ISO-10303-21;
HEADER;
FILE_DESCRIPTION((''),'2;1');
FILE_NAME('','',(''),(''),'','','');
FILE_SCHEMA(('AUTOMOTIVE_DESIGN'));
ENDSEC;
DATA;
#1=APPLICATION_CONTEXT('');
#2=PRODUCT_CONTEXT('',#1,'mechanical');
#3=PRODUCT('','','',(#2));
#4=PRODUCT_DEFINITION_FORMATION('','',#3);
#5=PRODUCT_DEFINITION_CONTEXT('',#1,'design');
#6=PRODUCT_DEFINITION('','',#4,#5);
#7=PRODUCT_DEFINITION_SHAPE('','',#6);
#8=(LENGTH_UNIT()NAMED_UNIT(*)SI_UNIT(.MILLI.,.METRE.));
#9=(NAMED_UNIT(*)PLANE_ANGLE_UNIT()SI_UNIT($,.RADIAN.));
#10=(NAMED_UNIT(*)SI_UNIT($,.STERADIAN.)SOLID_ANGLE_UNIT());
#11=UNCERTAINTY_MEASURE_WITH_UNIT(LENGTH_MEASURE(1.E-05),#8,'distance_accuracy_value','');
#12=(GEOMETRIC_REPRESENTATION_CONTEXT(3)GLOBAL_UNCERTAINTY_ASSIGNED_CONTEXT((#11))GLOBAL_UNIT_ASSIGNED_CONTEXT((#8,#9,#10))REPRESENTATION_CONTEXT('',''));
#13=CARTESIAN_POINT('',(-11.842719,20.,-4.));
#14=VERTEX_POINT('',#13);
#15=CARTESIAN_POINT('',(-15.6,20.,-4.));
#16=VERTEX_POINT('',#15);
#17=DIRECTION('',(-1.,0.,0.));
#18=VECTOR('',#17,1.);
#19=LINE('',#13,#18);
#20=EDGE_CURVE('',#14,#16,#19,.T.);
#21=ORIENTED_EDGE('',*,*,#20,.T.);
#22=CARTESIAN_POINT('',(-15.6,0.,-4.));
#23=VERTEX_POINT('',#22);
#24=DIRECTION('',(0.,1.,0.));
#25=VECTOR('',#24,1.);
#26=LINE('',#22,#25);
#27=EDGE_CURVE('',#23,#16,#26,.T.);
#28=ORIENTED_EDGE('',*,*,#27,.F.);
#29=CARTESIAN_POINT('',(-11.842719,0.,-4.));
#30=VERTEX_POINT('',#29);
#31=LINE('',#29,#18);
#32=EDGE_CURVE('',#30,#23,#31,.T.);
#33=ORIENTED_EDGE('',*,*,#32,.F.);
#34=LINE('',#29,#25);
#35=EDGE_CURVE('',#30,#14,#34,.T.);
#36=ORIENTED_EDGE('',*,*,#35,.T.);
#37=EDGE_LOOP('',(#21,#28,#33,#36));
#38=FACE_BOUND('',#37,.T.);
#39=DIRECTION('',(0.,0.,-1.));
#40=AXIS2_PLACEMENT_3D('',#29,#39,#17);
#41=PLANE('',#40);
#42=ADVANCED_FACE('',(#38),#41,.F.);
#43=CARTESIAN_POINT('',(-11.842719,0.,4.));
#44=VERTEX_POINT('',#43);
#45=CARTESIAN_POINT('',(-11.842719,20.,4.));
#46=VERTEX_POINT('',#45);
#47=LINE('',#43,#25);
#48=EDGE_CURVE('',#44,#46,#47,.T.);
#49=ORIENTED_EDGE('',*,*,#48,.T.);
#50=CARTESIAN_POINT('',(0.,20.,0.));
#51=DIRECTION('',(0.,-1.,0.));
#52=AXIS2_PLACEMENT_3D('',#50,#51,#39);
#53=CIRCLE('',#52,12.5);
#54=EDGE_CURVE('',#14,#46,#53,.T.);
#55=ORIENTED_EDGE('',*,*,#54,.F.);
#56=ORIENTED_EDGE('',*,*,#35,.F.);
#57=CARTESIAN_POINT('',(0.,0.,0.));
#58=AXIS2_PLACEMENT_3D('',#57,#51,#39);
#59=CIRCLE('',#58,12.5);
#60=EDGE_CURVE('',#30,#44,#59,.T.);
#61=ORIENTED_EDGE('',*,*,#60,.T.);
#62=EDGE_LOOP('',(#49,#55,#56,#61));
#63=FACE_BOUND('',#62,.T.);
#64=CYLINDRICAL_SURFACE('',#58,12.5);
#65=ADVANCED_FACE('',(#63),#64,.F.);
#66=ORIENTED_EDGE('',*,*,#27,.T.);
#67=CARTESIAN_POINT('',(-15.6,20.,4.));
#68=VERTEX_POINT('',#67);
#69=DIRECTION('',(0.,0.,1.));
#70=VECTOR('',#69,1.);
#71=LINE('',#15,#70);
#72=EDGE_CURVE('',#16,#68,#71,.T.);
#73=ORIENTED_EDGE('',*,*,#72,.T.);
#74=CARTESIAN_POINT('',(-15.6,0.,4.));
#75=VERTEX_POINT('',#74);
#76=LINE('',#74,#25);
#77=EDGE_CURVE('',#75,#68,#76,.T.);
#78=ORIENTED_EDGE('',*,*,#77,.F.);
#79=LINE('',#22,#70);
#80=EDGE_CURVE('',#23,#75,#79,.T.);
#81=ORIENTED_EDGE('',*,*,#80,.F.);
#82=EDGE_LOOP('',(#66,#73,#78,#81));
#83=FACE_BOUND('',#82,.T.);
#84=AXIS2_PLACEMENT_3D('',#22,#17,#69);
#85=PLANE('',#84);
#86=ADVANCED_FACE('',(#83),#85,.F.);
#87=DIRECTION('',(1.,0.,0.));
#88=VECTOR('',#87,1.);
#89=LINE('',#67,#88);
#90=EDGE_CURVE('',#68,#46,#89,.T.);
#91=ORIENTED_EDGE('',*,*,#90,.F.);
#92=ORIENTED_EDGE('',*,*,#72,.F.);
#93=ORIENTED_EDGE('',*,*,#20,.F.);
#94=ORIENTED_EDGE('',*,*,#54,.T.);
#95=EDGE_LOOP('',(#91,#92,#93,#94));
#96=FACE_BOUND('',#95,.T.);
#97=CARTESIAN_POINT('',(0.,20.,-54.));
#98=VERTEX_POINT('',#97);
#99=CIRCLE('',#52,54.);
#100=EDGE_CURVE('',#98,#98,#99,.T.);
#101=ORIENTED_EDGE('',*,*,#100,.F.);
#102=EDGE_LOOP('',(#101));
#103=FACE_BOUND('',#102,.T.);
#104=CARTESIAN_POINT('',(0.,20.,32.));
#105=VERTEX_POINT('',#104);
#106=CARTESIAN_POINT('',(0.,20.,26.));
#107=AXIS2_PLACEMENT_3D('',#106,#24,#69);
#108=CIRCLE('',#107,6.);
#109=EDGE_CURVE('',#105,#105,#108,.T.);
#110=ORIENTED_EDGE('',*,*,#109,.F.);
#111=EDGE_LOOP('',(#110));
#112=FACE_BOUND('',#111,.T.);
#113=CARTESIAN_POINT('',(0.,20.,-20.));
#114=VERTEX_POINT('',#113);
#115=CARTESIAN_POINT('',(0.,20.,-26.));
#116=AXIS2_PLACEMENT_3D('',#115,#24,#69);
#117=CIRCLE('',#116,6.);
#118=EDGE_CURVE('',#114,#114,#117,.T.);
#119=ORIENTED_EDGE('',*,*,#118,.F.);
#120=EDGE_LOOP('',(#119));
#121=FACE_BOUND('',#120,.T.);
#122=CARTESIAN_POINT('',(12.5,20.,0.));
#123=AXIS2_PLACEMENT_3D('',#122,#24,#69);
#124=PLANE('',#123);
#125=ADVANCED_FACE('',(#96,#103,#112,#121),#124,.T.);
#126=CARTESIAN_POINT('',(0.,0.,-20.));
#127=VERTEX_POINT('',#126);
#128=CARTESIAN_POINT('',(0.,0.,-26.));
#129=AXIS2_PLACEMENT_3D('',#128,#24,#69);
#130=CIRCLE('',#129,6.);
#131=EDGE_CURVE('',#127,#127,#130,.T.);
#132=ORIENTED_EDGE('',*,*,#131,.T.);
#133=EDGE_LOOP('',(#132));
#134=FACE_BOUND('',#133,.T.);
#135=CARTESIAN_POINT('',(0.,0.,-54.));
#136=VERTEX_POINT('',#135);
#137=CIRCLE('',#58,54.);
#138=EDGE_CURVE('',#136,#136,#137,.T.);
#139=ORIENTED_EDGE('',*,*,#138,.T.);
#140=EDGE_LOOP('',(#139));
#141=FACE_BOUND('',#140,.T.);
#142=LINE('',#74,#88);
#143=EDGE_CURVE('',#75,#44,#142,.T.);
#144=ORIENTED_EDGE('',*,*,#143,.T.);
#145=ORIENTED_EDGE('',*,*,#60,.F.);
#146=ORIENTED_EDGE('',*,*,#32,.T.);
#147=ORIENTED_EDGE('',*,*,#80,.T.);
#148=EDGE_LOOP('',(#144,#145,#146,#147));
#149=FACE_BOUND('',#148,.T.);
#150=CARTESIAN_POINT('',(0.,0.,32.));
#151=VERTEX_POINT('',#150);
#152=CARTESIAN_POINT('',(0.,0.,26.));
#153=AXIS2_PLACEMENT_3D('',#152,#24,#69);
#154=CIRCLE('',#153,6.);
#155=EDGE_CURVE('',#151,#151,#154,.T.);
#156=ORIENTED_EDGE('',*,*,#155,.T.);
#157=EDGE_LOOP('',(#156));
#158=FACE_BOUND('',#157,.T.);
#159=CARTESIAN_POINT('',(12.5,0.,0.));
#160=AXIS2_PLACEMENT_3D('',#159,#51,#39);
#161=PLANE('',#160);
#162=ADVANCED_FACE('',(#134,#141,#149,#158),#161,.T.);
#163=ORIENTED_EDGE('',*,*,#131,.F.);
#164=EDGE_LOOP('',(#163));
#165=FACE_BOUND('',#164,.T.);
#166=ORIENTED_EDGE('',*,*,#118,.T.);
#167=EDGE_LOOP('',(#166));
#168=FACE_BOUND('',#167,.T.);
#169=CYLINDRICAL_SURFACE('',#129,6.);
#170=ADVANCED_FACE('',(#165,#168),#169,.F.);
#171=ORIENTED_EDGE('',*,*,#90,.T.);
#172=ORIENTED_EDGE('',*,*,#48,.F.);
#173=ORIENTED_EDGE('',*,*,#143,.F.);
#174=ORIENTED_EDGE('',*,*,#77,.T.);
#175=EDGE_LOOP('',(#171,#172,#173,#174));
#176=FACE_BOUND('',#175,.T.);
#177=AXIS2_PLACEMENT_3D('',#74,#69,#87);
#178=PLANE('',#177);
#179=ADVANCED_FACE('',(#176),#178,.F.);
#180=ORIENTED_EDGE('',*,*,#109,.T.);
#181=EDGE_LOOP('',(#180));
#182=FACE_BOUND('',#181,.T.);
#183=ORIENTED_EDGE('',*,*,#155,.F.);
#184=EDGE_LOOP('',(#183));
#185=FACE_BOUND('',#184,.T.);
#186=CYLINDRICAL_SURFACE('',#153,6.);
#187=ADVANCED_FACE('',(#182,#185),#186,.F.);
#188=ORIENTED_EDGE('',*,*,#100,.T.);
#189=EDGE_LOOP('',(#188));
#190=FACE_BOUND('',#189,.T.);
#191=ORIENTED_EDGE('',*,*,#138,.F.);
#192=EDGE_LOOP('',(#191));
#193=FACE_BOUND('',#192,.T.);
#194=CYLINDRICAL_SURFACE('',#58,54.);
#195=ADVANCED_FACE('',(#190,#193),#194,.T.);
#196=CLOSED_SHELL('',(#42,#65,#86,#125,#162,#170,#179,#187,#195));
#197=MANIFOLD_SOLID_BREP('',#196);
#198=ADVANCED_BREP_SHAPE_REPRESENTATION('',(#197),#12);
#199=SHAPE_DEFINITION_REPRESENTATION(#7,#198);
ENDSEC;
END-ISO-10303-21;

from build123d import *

# Parameters (mm, degrees)
SKETCH_1_W          = 41.5
SKETCH_1_H          = 20
SKETCH_2_R          = 6
CUT_EXTRUDE_1_DEPTH = 20
SKETCH_2_3_R        = 6
CUT_EXTRUDE_2_DEPTH = 20


with BuildPart() as part:
    # Эскиз1 → Повернуть1 (revolve)
    with BuildSketch(Plane.XY):
        with Locations((33.25, 10)):
            Rectangle(SKETCH_1_W, SKETCH_1_H)
    revolve(axis=Axis((0, 0, 0), (0, 1, 0)))

    # Эскиз2 → Вырез-Вытянуть1 (cut)
    with BuildSketch(Plane(origin=(0, 20, 0), x_dir=(1, 0, 0), z_dir=(0, 1, 0))):
        with Locations((0, 26)):
            Circle(SKETCH_2_R)
    extrude(amount=-CUT_EXTRUDE_1_DEPTH, mode=Mode.SUBTRACT)

    # Эскиз2<3> → Вырез-Вытянуть2 (cut)
    with BuildSketch(Plane(origin=(0, 20, 0), x_dir=(1, 0, 0), z_dir=(0, 1, 0))):
        with Locations((0, 26)):
            Circle(SKETCH_2_3_R)
        with Locations((0, -26)):
            Circle(SKETCH_2_3_R)
        with BuildLine():
            Line((-11.842719282, 4), (-15.6, 4))
            Line((-15.6, 4), (-15.6, -4))
            Line((-15.6, -4), (-11.842719282, -4))
            ThreePointArc((-11.842719282, -4), (12.5, 0), (-11.842719282, 4))
        make_face()
    extrude(amount=-CUT_EXTRUDE_2_DEPTH, mode=Mode.SUBTRACT)


solid = part.part
